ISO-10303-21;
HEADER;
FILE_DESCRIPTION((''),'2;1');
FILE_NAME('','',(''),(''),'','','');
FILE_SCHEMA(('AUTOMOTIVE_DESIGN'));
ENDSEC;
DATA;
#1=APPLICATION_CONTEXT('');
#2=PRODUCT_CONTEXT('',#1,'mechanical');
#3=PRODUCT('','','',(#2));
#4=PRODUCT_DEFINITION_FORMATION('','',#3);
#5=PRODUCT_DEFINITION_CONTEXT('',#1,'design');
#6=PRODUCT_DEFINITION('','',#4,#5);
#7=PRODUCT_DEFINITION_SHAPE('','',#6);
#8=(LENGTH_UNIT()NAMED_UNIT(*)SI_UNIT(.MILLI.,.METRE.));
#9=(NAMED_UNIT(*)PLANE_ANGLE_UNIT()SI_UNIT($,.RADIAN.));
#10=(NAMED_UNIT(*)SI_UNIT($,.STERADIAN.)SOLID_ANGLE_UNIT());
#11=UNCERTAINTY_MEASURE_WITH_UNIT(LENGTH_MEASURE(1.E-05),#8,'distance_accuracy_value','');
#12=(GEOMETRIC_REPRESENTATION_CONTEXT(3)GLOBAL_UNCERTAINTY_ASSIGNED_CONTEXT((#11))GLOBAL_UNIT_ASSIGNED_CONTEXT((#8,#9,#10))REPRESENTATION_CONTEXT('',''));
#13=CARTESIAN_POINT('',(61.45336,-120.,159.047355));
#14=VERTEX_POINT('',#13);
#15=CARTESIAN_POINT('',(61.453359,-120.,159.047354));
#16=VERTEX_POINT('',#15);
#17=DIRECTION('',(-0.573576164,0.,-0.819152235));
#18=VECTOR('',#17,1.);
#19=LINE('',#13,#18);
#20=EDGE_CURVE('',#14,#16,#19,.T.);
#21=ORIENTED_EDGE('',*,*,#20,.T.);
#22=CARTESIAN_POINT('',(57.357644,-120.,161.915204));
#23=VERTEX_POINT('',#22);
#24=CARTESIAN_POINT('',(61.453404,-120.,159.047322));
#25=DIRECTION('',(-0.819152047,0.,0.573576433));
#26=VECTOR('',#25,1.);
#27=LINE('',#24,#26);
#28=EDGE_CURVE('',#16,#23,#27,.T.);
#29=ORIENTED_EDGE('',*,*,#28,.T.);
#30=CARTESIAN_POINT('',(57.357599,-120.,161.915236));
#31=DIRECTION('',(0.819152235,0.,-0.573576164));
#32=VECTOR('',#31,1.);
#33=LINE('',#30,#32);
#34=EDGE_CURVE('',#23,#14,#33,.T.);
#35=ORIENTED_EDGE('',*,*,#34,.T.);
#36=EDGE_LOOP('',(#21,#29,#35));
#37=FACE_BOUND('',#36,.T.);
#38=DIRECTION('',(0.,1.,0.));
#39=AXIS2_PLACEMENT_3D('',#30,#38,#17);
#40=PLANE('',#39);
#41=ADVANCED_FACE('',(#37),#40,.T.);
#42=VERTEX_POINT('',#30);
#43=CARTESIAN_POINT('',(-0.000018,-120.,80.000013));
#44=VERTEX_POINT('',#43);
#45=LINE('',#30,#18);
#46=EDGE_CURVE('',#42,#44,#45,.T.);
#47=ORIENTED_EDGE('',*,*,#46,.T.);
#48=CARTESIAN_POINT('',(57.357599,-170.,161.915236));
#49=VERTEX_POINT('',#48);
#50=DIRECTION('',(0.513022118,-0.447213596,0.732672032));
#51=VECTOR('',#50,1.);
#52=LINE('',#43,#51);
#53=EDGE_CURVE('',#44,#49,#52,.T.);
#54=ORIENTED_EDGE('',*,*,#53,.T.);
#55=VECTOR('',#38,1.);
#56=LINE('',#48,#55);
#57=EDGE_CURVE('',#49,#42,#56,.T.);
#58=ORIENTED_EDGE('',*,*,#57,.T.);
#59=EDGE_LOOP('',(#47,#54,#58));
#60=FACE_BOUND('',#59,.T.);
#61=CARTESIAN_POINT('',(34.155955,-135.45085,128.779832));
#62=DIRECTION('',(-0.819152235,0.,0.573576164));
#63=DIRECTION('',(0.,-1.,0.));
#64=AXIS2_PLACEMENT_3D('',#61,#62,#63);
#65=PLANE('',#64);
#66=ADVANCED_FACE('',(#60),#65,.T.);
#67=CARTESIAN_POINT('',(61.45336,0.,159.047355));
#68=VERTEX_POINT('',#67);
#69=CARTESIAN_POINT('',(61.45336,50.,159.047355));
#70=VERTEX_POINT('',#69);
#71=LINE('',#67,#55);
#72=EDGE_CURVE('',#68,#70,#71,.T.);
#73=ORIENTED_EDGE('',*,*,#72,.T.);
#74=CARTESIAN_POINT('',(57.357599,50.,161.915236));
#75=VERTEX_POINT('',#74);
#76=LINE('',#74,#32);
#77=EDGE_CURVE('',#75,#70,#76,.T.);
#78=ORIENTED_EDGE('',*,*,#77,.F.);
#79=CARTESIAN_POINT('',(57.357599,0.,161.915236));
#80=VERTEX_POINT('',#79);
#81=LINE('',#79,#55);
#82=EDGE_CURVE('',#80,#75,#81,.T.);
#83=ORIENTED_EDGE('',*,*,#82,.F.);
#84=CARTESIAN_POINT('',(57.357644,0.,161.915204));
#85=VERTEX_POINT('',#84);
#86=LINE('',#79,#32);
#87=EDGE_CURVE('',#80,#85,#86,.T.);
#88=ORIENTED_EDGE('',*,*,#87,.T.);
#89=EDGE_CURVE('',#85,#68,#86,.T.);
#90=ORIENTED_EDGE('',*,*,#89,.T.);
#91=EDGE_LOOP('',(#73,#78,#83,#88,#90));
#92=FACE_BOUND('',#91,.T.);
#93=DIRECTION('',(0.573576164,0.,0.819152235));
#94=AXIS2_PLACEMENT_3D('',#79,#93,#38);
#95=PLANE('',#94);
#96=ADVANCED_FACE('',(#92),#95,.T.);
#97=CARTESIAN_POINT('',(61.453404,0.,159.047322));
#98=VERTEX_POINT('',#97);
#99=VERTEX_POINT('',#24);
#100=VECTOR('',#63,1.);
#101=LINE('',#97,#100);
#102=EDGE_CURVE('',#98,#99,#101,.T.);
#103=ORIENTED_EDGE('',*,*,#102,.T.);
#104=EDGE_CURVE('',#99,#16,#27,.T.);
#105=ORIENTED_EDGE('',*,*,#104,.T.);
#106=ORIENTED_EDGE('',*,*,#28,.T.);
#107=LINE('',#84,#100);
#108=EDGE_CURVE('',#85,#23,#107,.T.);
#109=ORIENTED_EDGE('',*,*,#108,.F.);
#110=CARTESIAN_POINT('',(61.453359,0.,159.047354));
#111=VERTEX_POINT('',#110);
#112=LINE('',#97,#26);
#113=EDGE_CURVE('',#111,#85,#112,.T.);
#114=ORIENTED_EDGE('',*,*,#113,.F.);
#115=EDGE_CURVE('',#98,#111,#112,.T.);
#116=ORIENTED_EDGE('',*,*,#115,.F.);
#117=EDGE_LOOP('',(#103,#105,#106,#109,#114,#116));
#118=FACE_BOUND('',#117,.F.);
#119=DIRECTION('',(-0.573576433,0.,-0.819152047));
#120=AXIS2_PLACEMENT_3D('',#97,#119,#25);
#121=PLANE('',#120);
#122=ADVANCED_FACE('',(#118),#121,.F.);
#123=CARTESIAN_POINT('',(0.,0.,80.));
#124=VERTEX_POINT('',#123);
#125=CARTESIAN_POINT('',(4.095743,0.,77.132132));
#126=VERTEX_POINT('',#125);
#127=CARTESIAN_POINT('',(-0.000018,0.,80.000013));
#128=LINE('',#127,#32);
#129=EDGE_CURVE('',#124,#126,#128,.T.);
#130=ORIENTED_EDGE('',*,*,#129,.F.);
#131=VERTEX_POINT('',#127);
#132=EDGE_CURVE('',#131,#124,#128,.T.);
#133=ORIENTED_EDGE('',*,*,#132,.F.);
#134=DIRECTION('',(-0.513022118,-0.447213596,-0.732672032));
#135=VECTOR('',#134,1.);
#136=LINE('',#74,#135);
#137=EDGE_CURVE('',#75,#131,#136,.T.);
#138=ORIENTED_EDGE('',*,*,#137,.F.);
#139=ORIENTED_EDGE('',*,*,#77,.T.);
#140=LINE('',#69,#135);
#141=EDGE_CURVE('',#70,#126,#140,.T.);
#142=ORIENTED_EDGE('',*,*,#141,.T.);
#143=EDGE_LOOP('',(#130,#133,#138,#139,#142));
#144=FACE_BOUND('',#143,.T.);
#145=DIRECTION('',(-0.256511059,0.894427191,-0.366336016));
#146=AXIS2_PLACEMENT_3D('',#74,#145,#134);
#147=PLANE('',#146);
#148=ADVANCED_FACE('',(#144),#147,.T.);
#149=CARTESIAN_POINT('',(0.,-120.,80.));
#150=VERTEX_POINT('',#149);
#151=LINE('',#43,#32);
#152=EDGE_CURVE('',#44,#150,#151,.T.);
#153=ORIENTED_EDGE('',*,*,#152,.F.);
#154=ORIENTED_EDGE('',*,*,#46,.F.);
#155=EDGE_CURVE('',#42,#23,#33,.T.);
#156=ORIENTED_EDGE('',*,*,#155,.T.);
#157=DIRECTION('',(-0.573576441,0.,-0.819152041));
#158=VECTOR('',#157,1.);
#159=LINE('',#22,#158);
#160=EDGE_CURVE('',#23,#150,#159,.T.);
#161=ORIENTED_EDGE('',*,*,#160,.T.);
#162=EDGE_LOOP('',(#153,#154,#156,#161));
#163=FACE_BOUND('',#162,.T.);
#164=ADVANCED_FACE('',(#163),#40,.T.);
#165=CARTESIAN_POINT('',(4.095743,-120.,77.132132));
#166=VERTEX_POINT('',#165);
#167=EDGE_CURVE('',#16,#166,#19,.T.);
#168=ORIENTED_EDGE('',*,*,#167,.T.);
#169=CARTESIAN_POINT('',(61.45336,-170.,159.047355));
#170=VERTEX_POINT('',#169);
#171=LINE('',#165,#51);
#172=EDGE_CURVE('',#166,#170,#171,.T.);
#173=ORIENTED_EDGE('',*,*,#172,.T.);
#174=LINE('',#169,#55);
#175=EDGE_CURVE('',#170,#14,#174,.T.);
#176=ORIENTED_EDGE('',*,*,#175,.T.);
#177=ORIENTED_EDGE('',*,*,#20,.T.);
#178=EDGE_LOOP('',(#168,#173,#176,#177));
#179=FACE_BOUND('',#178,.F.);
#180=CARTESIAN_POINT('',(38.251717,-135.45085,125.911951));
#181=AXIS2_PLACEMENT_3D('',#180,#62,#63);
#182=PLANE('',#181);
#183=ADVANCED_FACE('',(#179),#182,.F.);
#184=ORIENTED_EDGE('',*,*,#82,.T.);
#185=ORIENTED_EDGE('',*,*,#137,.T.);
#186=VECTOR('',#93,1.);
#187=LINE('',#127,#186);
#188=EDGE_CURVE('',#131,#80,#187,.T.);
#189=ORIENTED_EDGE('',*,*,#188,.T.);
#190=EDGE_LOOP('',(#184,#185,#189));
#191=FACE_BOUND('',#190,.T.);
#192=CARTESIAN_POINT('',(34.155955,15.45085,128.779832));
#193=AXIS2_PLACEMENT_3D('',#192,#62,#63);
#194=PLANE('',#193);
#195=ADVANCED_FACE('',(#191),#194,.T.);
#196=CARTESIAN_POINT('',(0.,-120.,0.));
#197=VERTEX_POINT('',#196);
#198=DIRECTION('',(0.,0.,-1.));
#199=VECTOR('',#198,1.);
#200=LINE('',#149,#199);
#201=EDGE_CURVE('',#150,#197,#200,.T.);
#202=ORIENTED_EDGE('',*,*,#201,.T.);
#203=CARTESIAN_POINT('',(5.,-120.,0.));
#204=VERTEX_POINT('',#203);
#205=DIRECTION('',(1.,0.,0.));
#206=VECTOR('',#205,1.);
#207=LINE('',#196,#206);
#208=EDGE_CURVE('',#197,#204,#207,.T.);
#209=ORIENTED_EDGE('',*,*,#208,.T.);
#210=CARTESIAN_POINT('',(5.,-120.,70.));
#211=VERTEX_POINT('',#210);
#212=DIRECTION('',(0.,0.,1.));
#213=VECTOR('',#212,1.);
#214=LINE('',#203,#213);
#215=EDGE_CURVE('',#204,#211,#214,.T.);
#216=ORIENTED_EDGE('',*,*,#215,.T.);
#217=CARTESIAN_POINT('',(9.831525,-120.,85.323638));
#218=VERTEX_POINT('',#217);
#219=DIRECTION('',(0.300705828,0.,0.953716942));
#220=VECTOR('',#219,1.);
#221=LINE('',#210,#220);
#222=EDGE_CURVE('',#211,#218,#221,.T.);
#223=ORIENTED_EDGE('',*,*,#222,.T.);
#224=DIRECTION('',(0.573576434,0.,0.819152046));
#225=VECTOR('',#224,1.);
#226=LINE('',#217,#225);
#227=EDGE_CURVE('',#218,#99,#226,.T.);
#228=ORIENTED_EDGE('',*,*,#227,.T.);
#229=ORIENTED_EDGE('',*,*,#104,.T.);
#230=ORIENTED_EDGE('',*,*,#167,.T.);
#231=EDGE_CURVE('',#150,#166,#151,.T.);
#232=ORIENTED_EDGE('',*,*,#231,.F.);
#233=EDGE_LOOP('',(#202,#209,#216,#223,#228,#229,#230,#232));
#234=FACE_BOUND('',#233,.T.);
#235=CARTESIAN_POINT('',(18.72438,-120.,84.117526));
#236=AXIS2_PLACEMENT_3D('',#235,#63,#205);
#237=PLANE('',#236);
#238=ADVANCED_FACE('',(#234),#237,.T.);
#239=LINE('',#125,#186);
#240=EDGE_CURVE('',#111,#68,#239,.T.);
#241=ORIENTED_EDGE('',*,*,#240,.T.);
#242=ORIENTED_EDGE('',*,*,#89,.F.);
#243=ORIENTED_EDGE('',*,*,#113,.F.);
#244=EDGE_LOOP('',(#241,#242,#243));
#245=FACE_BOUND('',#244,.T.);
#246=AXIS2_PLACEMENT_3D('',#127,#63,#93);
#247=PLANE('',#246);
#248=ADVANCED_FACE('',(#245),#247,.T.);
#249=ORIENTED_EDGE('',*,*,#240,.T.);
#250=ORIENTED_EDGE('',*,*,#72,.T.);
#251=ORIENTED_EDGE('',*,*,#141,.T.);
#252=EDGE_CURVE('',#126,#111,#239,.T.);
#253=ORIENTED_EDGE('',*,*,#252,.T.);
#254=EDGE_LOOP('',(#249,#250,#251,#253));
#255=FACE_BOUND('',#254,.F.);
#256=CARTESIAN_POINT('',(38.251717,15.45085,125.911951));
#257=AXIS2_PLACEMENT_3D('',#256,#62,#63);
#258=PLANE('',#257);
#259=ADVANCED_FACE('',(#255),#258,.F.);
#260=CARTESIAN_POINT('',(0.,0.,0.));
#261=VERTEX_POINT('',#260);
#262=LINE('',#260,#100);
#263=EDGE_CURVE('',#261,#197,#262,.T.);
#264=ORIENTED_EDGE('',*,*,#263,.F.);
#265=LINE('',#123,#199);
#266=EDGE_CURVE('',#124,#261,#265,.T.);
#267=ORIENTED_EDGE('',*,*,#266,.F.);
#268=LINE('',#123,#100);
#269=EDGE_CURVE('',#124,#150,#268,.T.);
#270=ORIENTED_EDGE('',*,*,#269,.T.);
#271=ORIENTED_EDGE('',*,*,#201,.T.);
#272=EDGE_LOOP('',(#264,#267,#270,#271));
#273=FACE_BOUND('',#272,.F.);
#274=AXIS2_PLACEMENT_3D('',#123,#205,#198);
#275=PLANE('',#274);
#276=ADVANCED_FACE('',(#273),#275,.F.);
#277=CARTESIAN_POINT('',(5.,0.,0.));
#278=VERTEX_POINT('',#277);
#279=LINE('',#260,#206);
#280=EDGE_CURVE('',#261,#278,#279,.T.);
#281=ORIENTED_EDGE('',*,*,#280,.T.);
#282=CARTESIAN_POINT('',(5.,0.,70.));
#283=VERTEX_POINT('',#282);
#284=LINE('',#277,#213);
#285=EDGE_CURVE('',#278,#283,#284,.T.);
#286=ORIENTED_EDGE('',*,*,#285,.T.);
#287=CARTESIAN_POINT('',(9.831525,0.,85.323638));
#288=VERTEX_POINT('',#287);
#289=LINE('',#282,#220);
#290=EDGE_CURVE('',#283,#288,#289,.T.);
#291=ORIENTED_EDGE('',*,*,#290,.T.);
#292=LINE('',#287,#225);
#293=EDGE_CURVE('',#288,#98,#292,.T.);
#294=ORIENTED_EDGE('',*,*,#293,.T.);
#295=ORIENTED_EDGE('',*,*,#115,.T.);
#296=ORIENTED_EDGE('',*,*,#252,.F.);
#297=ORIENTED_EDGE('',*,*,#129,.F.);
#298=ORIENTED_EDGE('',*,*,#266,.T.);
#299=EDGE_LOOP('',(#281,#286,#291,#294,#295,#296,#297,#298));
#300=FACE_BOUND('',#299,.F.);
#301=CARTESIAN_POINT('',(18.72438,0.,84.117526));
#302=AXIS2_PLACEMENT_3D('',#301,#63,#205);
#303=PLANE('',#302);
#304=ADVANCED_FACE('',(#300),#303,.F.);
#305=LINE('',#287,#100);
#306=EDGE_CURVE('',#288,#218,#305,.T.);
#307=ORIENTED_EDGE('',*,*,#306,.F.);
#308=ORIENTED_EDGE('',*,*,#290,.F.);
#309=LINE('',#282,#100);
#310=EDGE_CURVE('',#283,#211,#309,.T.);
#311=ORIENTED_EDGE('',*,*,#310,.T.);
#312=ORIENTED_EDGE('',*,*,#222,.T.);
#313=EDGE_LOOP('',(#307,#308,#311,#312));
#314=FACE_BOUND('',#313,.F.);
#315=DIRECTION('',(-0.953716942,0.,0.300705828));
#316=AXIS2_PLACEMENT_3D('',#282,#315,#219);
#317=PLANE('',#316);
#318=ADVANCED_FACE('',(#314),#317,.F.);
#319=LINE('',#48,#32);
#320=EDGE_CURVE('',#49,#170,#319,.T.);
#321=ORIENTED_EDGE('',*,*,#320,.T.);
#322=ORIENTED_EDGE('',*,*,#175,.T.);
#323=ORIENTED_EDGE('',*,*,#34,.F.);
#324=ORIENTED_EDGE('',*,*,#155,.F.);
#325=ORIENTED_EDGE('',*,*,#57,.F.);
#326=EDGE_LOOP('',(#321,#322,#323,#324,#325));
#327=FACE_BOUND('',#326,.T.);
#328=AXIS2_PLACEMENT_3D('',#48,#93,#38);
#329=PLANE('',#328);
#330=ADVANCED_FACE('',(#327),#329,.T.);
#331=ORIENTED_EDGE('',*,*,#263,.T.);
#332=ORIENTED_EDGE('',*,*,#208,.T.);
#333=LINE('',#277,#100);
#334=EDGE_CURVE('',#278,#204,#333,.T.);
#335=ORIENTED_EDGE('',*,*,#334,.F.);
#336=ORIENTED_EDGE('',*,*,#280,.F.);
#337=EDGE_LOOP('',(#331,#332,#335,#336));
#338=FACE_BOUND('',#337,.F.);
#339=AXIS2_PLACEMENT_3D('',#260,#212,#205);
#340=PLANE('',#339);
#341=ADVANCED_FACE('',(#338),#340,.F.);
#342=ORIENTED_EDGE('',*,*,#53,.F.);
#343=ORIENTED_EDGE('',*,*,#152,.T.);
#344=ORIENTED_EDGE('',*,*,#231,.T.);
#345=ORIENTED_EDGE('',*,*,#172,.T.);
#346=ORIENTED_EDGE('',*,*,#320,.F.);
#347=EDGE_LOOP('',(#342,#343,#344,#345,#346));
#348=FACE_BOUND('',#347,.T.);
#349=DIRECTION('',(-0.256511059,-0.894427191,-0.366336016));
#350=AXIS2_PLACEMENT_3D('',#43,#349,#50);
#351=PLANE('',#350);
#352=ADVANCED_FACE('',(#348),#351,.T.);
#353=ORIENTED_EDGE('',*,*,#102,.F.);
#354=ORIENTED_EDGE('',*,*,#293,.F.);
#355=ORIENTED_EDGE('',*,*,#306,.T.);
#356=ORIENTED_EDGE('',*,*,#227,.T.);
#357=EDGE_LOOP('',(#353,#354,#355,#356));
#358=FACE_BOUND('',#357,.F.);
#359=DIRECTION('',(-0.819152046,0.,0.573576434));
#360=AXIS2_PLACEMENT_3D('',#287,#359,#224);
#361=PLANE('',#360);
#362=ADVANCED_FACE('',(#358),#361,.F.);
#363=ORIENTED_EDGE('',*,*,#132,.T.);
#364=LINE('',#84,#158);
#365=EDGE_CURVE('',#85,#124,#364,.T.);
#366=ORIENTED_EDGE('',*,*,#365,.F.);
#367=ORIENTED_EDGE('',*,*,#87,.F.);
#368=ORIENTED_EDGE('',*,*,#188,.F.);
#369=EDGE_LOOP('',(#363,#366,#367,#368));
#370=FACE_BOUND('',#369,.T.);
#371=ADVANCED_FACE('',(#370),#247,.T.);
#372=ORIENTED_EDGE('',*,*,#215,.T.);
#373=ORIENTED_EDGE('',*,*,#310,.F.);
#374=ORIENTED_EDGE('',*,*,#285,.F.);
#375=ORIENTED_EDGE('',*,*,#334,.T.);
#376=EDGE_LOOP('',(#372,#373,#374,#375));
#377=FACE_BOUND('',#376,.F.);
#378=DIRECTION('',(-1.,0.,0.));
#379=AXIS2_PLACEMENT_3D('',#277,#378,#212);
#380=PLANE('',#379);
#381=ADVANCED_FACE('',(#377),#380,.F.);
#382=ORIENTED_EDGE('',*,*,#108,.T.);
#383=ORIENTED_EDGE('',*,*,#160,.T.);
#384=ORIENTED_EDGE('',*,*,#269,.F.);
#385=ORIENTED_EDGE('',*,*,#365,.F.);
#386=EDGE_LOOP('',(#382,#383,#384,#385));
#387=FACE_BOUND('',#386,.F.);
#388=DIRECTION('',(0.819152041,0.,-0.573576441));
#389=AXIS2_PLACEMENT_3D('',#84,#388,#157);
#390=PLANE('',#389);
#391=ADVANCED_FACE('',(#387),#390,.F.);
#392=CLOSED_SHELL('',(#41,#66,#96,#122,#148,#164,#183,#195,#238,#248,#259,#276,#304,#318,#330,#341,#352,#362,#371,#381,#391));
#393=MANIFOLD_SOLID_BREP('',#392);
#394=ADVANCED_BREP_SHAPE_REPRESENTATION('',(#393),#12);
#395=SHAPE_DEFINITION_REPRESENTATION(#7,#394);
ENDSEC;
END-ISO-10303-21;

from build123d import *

# Parameters (mm, degrees)
F1_DEPTH = 120
F3_DEPTH = 5
F4_DEPTH = 5


with BuildPart() as f1:
    # F0 (on Front) → F1 (new body)
    with BuildSketch(Plane.XZ):
        Polygon((0, 80), (0, 0), (5, 0), (5, 70), (9.831525, 85.323638), (61.453404, 159.047322), (57.357644, 161.915204), align=None)
    extrude(amount=F1_DEPTH)

    # F2 (on face) → F3 (join)
    with BuildSketch(Plane(origin=(-37.587705, 0, 26.319194), x_dir=(0, -1, 0), z_dir=(-0.819152, 0, 0.573576))):
        Polygon((0, 65.532164), (0, 165.532164), (-50, 165.532164), align=None)
    extrude(amount=-F3_DEPTH)

    # F2 (on face) → F4 (join)
    with BuildSketch(Plane(origin=(-37.587705, 0, 26.319194), x_dir=(0, -1, 0), z_dir=(-0.819152, 0, 0.573576))):
        Polygon((170, 165.532164), (120, 165.532164), (120, 65.532164), align=None)
    extrude(amount=-F4_DEPTH)


solid = f1.part
